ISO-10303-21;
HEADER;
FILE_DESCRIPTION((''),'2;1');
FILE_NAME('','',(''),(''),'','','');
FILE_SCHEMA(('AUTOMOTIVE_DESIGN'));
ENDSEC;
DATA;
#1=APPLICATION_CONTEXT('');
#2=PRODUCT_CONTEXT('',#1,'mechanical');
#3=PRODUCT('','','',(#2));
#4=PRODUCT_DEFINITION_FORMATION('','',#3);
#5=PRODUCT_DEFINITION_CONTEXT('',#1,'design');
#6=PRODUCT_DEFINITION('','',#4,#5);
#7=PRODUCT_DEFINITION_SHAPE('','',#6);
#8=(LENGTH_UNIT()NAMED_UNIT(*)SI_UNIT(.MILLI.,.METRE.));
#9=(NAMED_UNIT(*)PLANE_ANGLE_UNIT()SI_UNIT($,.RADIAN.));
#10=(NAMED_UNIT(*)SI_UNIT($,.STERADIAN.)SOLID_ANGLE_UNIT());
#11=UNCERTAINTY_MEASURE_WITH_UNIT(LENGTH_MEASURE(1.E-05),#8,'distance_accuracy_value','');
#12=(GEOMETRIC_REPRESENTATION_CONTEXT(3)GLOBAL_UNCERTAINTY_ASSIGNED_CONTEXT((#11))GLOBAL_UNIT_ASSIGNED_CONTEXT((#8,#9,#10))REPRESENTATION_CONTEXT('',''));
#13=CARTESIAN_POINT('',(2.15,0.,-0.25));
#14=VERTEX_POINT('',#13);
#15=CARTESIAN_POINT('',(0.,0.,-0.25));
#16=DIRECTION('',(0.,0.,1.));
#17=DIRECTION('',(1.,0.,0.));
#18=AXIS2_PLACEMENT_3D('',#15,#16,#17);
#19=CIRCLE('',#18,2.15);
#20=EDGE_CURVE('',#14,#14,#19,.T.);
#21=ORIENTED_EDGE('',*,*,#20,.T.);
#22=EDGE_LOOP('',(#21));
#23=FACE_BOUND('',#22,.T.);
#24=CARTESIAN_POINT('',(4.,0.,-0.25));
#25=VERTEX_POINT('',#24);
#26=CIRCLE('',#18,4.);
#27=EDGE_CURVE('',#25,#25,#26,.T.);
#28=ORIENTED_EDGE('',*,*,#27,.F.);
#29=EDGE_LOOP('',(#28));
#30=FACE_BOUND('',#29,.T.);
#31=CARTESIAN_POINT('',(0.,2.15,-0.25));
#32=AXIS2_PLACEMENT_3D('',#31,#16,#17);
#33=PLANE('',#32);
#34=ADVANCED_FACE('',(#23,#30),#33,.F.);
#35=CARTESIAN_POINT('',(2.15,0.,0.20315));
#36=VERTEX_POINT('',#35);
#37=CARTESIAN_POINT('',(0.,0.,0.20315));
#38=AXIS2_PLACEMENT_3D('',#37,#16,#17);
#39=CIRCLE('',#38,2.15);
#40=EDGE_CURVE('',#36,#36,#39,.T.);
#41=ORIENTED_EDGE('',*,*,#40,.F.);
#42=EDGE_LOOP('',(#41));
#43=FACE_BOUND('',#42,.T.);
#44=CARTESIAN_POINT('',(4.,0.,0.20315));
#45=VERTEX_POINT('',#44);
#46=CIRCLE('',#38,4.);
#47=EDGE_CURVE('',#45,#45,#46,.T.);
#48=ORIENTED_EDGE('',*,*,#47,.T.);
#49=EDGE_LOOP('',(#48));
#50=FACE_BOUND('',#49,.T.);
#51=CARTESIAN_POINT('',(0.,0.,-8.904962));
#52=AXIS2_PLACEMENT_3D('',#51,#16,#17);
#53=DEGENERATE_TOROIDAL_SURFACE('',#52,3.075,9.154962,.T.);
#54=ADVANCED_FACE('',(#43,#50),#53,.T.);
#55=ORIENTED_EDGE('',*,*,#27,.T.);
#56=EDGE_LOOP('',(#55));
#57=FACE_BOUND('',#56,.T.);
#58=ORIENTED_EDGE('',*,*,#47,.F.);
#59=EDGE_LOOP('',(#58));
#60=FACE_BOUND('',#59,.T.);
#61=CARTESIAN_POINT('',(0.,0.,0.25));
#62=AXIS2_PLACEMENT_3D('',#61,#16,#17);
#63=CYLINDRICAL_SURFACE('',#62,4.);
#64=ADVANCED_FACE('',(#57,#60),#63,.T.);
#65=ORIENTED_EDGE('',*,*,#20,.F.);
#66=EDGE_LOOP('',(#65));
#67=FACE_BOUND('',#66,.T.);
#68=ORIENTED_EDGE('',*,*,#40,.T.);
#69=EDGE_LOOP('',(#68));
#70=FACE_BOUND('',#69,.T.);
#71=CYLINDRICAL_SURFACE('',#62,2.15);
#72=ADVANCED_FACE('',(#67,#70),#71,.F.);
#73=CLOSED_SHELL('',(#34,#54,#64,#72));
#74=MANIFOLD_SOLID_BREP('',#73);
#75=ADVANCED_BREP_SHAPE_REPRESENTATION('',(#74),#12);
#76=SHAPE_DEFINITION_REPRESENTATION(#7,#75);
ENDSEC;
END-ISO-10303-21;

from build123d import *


with BuildPart() as part:
    # Sketch3 → Revolve1 (revolve)
    with BuildSketch(Plane(origin=(0, 0, 0), x_dir=(0, 0, -1), z_dir=(1, 0, 0))):
        with BuildLine():
            Line((0.25, 4), (-0.20315, 4))
            ThreePointArc((-0.20315, 4), (-0.25, 3.075), (-0.20315, 2.15))
            Line((-0.20315, 2.15), (0.25, 2.15))
            Line((0.25, 2.15), (0.25, 4))
        make_face()
    revolve(axis=Axis((0, 0, 0.25), (0, 0, -1)))


solid = part.part
